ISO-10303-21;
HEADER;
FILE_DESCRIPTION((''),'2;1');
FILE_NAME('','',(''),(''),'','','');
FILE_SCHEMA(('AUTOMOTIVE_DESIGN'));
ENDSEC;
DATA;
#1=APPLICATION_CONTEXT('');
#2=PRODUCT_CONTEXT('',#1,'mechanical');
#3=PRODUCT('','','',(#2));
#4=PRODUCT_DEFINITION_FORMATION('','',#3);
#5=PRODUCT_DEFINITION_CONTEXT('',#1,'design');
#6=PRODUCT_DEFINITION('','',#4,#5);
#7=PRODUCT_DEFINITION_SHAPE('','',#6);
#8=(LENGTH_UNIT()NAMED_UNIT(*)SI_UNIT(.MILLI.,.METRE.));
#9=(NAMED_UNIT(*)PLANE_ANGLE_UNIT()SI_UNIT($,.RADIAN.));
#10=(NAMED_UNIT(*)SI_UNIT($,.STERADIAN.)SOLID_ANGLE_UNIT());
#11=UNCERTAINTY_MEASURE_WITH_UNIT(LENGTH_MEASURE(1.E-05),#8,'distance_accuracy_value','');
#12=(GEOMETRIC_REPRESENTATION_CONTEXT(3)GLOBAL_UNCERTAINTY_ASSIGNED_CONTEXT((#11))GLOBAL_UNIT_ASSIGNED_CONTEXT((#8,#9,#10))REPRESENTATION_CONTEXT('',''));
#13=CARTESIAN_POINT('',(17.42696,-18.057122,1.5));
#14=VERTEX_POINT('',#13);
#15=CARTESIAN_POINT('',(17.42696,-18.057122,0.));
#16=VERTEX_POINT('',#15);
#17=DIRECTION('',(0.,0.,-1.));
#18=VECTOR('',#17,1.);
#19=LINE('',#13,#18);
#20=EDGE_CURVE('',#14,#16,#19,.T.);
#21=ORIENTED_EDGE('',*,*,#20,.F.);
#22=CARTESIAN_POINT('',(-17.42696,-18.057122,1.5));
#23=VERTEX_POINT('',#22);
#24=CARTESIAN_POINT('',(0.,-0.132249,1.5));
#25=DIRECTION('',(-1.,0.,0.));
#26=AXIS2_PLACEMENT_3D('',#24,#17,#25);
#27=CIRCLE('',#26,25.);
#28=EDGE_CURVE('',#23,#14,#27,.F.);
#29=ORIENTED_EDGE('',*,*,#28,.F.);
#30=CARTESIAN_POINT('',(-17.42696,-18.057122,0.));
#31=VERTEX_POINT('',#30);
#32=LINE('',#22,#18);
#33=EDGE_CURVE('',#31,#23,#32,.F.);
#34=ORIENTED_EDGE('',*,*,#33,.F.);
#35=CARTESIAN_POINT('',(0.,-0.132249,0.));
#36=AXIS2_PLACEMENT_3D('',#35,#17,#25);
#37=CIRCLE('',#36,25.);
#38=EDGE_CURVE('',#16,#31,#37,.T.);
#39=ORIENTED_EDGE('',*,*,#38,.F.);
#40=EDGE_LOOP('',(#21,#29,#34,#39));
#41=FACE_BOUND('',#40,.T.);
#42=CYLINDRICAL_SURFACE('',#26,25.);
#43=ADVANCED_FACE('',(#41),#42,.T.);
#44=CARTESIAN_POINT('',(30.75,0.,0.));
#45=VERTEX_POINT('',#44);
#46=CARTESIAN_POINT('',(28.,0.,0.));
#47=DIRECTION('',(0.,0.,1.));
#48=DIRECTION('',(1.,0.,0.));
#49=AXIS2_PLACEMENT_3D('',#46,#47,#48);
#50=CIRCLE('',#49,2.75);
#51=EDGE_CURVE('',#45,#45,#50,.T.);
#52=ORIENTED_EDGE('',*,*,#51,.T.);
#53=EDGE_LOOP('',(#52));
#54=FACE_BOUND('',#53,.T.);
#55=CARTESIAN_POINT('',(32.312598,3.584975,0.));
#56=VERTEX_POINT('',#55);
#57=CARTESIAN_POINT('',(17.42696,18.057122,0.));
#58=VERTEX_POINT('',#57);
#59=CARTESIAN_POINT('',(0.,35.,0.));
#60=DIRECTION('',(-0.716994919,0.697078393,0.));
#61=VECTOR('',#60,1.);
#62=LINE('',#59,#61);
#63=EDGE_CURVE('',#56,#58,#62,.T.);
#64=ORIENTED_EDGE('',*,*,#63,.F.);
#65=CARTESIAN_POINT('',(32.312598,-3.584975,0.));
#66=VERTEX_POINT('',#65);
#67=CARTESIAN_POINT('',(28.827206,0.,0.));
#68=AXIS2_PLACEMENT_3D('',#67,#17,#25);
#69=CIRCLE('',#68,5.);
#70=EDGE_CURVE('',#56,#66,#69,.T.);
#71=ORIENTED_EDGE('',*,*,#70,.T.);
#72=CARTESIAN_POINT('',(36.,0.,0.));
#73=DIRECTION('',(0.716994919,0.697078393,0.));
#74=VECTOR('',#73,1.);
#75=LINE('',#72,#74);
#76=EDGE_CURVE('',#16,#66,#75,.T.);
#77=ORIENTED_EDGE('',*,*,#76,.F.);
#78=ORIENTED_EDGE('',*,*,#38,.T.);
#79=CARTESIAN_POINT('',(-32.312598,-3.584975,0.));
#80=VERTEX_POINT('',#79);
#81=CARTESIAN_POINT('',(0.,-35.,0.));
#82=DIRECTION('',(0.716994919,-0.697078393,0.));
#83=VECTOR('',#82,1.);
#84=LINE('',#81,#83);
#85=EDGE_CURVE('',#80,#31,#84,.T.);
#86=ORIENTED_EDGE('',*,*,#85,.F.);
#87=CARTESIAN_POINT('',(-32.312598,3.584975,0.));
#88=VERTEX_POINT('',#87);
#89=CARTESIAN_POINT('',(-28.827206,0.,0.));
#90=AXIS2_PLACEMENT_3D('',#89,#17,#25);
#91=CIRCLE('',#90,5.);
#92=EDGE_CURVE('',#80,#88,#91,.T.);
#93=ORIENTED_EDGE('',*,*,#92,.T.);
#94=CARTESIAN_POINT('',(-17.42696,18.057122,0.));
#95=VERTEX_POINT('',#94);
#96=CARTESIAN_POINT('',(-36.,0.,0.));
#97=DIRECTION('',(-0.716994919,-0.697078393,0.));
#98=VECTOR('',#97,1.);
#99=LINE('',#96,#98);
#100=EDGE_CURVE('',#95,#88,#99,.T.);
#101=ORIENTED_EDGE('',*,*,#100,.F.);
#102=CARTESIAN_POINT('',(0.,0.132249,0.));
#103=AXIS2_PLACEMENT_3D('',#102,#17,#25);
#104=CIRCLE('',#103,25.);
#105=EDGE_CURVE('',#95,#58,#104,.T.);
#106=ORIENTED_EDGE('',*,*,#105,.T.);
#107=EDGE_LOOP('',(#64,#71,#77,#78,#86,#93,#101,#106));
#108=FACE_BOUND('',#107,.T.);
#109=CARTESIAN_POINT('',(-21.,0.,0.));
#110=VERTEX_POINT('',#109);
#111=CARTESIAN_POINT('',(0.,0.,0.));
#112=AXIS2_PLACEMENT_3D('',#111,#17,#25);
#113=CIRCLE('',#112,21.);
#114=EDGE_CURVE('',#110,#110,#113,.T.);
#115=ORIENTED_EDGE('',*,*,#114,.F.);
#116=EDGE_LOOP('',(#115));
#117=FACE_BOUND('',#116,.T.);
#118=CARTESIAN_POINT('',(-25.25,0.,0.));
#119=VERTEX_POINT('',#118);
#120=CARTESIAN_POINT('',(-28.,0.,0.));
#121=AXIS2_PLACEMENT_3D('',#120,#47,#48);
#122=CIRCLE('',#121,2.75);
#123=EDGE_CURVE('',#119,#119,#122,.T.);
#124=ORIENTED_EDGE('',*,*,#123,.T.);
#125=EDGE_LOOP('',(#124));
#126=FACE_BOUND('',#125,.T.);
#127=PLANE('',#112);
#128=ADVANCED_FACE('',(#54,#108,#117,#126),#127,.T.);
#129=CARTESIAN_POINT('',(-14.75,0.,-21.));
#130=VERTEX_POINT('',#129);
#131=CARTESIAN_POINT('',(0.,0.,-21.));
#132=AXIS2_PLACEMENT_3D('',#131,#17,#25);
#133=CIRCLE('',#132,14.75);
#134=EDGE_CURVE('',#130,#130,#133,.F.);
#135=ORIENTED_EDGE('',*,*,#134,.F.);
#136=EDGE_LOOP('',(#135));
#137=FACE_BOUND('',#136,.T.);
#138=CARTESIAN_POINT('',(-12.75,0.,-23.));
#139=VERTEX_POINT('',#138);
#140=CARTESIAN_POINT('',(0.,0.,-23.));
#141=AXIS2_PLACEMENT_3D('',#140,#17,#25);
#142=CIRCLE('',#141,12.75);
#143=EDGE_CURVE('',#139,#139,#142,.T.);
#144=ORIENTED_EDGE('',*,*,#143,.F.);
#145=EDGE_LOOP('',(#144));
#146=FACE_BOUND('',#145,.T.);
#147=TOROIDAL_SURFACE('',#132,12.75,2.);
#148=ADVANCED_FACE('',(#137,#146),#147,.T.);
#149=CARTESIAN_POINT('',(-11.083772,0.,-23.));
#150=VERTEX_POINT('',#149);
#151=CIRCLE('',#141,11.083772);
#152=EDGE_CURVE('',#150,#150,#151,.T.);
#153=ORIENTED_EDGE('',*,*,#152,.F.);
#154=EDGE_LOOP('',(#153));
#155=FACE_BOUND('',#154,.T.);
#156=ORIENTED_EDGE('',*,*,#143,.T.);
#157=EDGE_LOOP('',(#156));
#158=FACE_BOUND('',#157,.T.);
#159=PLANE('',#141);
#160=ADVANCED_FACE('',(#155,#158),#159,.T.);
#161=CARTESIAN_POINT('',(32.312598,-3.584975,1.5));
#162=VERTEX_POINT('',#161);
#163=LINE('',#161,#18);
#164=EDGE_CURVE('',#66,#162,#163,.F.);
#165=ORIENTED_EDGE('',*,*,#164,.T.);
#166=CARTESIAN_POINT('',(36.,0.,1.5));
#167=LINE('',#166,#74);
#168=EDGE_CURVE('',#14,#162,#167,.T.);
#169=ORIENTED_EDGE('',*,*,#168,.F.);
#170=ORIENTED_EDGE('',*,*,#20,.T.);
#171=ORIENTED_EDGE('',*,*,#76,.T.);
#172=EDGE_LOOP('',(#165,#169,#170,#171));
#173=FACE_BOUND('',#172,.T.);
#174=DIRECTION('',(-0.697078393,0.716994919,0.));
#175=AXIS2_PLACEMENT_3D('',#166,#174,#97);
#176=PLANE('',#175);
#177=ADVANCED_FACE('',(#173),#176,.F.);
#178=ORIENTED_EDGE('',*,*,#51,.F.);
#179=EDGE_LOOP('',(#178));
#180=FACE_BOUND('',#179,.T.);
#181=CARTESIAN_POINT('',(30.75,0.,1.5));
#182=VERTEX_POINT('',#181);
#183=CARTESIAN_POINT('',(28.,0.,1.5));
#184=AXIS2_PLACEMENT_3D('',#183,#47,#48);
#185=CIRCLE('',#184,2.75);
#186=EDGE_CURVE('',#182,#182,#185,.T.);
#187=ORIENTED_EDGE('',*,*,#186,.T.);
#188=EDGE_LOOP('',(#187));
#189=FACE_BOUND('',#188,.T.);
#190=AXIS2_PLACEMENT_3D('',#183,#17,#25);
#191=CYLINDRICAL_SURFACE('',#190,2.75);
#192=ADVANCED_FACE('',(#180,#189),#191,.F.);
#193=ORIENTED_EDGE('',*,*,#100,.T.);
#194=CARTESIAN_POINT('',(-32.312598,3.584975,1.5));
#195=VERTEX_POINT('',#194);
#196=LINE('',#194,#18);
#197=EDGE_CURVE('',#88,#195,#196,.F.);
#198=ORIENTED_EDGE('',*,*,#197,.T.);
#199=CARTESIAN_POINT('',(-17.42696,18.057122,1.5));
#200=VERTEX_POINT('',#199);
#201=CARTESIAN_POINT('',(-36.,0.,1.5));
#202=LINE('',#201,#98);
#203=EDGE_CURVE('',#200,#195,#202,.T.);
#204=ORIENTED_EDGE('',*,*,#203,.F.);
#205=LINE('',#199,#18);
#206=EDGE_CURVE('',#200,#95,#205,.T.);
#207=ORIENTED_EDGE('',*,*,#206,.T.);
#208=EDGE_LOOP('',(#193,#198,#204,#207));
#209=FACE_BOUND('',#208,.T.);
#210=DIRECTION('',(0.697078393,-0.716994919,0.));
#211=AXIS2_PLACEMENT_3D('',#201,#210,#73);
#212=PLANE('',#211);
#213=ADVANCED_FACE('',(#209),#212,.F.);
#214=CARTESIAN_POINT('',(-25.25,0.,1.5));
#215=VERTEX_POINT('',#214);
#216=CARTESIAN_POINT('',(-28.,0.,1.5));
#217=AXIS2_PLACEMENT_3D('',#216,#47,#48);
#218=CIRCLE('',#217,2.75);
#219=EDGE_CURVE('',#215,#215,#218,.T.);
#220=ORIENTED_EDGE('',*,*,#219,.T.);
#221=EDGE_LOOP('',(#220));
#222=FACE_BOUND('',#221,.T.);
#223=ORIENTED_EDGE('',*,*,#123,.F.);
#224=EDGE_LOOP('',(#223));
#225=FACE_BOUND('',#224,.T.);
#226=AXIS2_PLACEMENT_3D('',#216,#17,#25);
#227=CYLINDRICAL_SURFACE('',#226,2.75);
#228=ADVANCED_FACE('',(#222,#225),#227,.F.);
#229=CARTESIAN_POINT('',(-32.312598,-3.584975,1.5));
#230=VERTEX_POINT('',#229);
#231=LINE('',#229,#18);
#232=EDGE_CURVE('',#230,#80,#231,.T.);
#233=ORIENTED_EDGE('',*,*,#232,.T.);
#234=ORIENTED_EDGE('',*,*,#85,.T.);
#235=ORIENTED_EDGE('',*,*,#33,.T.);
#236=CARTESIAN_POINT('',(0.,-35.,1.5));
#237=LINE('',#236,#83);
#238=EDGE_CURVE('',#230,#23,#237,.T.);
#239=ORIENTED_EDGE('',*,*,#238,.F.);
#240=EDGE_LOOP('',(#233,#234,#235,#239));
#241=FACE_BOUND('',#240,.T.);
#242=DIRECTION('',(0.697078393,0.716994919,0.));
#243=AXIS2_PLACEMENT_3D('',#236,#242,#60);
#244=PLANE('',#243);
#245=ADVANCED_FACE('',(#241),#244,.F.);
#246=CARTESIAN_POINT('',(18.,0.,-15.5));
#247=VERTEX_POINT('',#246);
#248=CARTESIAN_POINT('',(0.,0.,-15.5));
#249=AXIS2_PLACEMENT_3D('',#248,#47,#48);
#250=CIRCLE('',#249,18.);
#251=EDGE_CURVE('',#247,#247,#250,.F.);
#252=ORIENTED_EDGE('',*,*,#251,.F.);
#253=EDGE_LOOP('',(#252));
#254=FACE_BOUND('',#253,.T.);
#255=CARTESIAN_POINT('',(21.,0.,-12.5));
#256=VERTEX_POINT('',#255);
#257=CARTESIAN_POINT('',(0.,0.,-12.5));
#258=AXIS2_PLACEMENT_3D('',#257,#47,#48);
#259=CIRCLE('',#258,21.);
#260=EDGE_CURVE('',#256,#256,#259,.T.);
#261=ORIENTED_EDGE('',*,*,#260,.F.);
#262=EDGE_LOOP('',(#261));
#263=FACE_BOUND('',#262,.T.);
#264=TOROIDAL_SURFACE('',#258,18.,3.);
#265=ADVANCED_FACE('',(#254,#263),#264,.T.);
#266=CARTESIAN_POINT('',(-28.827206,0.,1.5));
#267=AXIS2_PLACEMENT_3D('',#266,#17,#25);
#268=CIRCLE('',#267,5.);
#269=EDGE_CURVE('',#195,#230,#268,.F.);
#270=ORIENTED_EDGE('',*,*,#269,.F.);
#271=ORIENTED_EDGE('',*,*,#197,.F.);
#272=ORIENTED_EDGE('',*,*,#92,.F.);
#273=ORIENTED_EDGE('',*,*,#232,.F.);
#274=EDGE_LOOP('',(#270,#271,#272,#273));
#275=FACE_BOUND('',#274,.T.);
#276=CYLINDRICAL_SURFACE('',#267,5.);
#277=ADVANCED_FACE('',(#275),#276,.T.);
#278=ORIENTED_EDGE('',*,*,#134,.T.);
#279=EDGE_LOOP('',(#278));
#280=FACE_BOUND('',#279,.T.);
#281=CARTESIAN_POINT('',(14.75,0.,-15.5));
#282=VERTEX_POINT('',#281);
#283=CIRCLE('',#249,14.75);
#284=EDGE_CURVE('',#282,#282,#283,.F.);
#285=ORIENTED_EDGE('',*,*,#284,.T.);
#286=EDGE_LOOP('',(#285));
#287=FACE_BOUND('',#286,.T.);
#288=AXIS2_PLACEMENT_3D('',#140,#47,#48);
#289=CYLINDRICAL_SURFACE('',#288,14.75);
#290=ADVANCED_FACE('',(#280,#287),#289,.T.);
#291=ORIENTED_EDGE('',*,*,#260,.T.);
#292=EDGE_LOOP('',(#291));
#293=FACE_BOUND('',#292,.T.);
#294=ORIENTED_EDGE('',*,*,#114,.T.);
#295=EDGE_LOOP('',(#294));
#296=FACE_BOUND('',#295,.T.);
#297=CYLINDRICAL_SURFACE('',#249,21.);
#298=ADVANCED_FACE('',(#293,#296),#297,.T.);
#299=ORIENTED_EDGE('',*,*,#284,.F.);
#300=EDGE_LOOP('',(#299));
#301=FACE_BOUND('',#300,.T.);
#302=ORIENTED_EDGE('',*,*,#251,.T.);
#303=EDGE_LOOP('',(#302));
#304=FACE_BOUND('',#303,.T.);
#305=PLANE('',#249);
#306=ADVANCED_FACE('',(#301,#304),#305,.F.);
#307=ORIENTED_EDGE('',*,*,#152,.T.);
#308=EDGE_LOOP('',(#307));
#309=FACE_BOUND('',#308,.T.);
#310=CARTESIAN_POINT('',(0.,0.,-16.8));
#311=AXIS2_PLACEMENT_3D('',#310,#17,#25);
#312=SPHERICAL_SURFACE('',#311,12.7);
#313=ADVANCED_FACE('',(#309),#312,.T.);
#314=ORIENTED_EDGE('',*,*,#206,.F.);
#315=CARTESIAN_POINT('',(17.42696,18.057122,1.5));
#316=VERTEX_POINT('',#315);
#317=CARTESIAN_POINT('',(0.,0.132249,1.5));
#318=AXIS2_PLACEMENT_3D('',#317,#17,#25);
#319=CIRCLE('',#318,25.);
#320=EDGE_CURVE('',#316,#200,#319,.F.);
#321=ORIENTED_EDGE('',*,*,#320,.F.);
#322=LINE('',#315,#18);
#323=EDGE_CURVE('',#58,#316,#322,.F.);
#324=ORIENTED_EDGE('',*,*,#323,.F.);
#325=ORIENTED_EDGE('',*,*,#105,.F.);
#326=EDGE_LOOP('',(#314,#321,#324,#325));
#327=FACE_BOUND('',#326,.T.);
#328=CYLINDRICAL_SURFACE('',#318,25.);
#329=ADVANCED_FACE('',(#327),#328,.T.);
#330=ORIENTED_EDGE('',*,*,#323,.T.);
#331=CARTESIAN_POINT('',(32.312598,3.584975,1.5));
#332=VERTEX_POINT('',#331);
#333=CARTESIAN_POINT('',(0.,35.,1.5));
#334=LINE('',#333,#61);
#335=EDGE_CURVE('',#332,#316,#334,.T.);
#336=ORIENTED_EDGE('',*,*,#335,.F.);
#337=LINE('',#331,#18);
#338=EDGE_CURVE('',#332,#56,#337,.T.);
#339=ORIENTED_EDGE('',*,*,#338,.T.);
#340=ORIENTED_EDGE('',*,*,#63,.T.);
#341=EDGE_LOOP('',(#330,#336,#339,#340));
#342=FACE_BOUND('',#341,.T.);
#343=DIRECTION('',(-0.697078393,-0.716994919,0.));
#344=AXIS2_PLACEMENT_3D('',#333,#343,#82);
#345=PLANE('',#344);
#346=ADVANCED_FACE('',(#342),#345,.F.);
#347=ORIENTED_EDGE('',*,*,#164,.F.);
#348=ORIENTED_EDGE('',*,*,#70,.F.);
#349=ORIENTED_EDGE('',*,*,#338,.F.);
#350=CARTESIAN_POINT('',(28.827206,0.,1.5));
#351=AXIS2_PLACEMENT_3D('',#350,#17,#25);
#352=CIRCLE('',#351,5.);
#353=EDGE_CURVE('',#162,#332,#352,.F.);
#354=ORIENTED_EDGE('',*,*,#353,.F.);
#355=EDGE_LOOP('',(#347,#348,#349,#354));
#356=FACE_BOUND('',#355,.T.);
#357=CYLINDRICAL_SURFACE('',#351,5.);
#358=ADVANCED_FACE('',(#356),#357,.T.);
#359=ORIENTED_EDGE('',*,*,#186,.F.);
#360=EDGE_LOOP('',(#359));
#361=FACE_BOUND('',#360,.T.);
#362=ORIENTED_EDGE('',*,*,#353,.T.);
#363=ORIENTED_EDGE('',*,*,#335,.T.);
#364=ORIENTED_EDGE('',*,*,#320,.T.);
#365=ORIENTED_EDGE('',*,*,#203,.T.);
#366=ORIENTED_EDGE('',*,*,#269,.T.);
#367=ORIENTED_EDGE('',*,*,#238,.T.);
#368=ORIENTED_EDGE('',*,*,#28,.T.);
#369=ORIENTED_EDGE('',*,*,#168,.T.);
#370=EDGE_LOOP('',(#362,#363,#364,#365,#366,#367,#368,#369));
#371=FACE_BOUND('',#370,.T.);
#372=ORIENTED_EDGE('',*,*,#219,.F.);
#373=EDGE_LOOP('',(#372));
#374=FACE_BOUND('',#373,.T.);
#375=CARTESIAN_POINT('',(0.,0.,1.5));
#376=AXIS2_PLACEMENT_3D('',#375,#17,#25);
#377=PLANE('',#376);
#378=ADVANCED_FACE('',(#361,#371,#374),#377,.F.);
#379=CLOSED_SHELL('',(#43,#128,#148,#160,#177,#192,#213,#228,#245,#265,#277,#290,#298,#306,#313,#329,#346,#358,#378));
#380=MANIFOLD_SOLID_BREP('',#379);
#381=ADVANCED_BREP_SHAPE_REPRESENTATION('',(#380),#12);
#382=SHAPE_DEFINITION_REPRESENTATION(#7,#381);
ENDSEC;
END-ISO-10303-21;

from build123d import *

# Parameters (mm, degrees)
SKETCH_2_R      = 2.75
EXTRUDE_1_DEPTH = 1.5
SKETCH_3_R      = 21
EXTRUDE_2_DEPTH = 17
FILLET_4_R      = 3
SKETCH_6_R      = 14.75
EXTRUDE_3_DEPTH = 7.5
FILLET_3_R      = 2
FILLET_7_R      = 25
FILLET_8_R      = 5


with BuildPart() as part:
    # ｽｹｯﾁ2 → ﾎﾞｽ - 押し出し1 (new body)
    with BuildSketch(Plane.XY):
        Polygon((0, -35), (-36, 0), (0, 35), (36, 0), align=None)
        with Locations((-28, 0)):
            Circle(SKETCH_2_R, mode=Mode.SUBTRACT)
        with Locations((28, 0)):
            Circle(SKETCH_2_R, mode=Mode.SUBTRACT)
    extrude(amount=EXTRUDE_1_DEPTH)

    # ｽｹｯﾁ3 → ﾎﾞｽ - 押し出し2 (add)
    with BuildSketch(Plane.XY.offset(1.5)):
        Circle(SKETCH_3_R)
    extrude(amount=-EXTRUDE_2_DEPTH)

    # ﾌｨﾚｯﾄ4
    fillet_4_edges = [part.edges().sort_by_distance(p)[0] for p in [
        (-21, 0, -15.5),
    ]]
    fillet(fillet_4_edges, radius=FILLET_4_R)

    # ｽｹｯﾁ5 → 回転1 (revolve)
    with BuildSketch(Plane(origin=(0, 0, -16.8), x_dir=(-1, 0, 0), z_dir=(0, 0, -1))):
        with BuildLine():
            Line((0, 12.7), (0, -12.7))
            ThreePointArc((0, -12.7), (-12.7, 0), (0, 12.7))
        make_face()
    revolve(axis=Axis((0, -12.7, -16.8), (0, 1, 0)))

    # ｽｹｯﾁ6 → ﾎﾞｽ - 押し出し3 (add)
    with BuildSketch(Plane(origin=(0, 0, -15.5), x_dir=(-1, 0, 0), z_dir=(0, 0, -1))):
        with Locations(Location((0, 0, 0), (0, 0, 180))):
            Circle(SKETCH_6_R)
    extrude(amount=EXTRUDE_3_DEPTH)

    # ﾌｨﾚｯﾄ3
    fillet_3_edges = [part.edges().sort_by_distance(p)[0] for p in [
        (-14.75, 0, -23),
    ]]
    fillet(fillet_3_edges, radius=FILLET_3_R)

    # ﾌｨﾚｯﾄ7
    fillet_7_edges = [part.edges().sort_by_distance(p)[0] for p in [
        (0, 35, 0.75),
        (0, -35, 0.75),
    ]]
    fillet(fillet_7_edges, radius=FILLET_7_R)

    # ﾌｨﾚｯﾄ8
    fillet_8_edges = [part.edges().sort_by_distance(p)[0] for p in [
        (36, 0, 0.75),
        (-36, 0, 0.75),
    ]]
    fillet(fillet_8_edges, radius=FILLET_8_R)


solid = part.part
